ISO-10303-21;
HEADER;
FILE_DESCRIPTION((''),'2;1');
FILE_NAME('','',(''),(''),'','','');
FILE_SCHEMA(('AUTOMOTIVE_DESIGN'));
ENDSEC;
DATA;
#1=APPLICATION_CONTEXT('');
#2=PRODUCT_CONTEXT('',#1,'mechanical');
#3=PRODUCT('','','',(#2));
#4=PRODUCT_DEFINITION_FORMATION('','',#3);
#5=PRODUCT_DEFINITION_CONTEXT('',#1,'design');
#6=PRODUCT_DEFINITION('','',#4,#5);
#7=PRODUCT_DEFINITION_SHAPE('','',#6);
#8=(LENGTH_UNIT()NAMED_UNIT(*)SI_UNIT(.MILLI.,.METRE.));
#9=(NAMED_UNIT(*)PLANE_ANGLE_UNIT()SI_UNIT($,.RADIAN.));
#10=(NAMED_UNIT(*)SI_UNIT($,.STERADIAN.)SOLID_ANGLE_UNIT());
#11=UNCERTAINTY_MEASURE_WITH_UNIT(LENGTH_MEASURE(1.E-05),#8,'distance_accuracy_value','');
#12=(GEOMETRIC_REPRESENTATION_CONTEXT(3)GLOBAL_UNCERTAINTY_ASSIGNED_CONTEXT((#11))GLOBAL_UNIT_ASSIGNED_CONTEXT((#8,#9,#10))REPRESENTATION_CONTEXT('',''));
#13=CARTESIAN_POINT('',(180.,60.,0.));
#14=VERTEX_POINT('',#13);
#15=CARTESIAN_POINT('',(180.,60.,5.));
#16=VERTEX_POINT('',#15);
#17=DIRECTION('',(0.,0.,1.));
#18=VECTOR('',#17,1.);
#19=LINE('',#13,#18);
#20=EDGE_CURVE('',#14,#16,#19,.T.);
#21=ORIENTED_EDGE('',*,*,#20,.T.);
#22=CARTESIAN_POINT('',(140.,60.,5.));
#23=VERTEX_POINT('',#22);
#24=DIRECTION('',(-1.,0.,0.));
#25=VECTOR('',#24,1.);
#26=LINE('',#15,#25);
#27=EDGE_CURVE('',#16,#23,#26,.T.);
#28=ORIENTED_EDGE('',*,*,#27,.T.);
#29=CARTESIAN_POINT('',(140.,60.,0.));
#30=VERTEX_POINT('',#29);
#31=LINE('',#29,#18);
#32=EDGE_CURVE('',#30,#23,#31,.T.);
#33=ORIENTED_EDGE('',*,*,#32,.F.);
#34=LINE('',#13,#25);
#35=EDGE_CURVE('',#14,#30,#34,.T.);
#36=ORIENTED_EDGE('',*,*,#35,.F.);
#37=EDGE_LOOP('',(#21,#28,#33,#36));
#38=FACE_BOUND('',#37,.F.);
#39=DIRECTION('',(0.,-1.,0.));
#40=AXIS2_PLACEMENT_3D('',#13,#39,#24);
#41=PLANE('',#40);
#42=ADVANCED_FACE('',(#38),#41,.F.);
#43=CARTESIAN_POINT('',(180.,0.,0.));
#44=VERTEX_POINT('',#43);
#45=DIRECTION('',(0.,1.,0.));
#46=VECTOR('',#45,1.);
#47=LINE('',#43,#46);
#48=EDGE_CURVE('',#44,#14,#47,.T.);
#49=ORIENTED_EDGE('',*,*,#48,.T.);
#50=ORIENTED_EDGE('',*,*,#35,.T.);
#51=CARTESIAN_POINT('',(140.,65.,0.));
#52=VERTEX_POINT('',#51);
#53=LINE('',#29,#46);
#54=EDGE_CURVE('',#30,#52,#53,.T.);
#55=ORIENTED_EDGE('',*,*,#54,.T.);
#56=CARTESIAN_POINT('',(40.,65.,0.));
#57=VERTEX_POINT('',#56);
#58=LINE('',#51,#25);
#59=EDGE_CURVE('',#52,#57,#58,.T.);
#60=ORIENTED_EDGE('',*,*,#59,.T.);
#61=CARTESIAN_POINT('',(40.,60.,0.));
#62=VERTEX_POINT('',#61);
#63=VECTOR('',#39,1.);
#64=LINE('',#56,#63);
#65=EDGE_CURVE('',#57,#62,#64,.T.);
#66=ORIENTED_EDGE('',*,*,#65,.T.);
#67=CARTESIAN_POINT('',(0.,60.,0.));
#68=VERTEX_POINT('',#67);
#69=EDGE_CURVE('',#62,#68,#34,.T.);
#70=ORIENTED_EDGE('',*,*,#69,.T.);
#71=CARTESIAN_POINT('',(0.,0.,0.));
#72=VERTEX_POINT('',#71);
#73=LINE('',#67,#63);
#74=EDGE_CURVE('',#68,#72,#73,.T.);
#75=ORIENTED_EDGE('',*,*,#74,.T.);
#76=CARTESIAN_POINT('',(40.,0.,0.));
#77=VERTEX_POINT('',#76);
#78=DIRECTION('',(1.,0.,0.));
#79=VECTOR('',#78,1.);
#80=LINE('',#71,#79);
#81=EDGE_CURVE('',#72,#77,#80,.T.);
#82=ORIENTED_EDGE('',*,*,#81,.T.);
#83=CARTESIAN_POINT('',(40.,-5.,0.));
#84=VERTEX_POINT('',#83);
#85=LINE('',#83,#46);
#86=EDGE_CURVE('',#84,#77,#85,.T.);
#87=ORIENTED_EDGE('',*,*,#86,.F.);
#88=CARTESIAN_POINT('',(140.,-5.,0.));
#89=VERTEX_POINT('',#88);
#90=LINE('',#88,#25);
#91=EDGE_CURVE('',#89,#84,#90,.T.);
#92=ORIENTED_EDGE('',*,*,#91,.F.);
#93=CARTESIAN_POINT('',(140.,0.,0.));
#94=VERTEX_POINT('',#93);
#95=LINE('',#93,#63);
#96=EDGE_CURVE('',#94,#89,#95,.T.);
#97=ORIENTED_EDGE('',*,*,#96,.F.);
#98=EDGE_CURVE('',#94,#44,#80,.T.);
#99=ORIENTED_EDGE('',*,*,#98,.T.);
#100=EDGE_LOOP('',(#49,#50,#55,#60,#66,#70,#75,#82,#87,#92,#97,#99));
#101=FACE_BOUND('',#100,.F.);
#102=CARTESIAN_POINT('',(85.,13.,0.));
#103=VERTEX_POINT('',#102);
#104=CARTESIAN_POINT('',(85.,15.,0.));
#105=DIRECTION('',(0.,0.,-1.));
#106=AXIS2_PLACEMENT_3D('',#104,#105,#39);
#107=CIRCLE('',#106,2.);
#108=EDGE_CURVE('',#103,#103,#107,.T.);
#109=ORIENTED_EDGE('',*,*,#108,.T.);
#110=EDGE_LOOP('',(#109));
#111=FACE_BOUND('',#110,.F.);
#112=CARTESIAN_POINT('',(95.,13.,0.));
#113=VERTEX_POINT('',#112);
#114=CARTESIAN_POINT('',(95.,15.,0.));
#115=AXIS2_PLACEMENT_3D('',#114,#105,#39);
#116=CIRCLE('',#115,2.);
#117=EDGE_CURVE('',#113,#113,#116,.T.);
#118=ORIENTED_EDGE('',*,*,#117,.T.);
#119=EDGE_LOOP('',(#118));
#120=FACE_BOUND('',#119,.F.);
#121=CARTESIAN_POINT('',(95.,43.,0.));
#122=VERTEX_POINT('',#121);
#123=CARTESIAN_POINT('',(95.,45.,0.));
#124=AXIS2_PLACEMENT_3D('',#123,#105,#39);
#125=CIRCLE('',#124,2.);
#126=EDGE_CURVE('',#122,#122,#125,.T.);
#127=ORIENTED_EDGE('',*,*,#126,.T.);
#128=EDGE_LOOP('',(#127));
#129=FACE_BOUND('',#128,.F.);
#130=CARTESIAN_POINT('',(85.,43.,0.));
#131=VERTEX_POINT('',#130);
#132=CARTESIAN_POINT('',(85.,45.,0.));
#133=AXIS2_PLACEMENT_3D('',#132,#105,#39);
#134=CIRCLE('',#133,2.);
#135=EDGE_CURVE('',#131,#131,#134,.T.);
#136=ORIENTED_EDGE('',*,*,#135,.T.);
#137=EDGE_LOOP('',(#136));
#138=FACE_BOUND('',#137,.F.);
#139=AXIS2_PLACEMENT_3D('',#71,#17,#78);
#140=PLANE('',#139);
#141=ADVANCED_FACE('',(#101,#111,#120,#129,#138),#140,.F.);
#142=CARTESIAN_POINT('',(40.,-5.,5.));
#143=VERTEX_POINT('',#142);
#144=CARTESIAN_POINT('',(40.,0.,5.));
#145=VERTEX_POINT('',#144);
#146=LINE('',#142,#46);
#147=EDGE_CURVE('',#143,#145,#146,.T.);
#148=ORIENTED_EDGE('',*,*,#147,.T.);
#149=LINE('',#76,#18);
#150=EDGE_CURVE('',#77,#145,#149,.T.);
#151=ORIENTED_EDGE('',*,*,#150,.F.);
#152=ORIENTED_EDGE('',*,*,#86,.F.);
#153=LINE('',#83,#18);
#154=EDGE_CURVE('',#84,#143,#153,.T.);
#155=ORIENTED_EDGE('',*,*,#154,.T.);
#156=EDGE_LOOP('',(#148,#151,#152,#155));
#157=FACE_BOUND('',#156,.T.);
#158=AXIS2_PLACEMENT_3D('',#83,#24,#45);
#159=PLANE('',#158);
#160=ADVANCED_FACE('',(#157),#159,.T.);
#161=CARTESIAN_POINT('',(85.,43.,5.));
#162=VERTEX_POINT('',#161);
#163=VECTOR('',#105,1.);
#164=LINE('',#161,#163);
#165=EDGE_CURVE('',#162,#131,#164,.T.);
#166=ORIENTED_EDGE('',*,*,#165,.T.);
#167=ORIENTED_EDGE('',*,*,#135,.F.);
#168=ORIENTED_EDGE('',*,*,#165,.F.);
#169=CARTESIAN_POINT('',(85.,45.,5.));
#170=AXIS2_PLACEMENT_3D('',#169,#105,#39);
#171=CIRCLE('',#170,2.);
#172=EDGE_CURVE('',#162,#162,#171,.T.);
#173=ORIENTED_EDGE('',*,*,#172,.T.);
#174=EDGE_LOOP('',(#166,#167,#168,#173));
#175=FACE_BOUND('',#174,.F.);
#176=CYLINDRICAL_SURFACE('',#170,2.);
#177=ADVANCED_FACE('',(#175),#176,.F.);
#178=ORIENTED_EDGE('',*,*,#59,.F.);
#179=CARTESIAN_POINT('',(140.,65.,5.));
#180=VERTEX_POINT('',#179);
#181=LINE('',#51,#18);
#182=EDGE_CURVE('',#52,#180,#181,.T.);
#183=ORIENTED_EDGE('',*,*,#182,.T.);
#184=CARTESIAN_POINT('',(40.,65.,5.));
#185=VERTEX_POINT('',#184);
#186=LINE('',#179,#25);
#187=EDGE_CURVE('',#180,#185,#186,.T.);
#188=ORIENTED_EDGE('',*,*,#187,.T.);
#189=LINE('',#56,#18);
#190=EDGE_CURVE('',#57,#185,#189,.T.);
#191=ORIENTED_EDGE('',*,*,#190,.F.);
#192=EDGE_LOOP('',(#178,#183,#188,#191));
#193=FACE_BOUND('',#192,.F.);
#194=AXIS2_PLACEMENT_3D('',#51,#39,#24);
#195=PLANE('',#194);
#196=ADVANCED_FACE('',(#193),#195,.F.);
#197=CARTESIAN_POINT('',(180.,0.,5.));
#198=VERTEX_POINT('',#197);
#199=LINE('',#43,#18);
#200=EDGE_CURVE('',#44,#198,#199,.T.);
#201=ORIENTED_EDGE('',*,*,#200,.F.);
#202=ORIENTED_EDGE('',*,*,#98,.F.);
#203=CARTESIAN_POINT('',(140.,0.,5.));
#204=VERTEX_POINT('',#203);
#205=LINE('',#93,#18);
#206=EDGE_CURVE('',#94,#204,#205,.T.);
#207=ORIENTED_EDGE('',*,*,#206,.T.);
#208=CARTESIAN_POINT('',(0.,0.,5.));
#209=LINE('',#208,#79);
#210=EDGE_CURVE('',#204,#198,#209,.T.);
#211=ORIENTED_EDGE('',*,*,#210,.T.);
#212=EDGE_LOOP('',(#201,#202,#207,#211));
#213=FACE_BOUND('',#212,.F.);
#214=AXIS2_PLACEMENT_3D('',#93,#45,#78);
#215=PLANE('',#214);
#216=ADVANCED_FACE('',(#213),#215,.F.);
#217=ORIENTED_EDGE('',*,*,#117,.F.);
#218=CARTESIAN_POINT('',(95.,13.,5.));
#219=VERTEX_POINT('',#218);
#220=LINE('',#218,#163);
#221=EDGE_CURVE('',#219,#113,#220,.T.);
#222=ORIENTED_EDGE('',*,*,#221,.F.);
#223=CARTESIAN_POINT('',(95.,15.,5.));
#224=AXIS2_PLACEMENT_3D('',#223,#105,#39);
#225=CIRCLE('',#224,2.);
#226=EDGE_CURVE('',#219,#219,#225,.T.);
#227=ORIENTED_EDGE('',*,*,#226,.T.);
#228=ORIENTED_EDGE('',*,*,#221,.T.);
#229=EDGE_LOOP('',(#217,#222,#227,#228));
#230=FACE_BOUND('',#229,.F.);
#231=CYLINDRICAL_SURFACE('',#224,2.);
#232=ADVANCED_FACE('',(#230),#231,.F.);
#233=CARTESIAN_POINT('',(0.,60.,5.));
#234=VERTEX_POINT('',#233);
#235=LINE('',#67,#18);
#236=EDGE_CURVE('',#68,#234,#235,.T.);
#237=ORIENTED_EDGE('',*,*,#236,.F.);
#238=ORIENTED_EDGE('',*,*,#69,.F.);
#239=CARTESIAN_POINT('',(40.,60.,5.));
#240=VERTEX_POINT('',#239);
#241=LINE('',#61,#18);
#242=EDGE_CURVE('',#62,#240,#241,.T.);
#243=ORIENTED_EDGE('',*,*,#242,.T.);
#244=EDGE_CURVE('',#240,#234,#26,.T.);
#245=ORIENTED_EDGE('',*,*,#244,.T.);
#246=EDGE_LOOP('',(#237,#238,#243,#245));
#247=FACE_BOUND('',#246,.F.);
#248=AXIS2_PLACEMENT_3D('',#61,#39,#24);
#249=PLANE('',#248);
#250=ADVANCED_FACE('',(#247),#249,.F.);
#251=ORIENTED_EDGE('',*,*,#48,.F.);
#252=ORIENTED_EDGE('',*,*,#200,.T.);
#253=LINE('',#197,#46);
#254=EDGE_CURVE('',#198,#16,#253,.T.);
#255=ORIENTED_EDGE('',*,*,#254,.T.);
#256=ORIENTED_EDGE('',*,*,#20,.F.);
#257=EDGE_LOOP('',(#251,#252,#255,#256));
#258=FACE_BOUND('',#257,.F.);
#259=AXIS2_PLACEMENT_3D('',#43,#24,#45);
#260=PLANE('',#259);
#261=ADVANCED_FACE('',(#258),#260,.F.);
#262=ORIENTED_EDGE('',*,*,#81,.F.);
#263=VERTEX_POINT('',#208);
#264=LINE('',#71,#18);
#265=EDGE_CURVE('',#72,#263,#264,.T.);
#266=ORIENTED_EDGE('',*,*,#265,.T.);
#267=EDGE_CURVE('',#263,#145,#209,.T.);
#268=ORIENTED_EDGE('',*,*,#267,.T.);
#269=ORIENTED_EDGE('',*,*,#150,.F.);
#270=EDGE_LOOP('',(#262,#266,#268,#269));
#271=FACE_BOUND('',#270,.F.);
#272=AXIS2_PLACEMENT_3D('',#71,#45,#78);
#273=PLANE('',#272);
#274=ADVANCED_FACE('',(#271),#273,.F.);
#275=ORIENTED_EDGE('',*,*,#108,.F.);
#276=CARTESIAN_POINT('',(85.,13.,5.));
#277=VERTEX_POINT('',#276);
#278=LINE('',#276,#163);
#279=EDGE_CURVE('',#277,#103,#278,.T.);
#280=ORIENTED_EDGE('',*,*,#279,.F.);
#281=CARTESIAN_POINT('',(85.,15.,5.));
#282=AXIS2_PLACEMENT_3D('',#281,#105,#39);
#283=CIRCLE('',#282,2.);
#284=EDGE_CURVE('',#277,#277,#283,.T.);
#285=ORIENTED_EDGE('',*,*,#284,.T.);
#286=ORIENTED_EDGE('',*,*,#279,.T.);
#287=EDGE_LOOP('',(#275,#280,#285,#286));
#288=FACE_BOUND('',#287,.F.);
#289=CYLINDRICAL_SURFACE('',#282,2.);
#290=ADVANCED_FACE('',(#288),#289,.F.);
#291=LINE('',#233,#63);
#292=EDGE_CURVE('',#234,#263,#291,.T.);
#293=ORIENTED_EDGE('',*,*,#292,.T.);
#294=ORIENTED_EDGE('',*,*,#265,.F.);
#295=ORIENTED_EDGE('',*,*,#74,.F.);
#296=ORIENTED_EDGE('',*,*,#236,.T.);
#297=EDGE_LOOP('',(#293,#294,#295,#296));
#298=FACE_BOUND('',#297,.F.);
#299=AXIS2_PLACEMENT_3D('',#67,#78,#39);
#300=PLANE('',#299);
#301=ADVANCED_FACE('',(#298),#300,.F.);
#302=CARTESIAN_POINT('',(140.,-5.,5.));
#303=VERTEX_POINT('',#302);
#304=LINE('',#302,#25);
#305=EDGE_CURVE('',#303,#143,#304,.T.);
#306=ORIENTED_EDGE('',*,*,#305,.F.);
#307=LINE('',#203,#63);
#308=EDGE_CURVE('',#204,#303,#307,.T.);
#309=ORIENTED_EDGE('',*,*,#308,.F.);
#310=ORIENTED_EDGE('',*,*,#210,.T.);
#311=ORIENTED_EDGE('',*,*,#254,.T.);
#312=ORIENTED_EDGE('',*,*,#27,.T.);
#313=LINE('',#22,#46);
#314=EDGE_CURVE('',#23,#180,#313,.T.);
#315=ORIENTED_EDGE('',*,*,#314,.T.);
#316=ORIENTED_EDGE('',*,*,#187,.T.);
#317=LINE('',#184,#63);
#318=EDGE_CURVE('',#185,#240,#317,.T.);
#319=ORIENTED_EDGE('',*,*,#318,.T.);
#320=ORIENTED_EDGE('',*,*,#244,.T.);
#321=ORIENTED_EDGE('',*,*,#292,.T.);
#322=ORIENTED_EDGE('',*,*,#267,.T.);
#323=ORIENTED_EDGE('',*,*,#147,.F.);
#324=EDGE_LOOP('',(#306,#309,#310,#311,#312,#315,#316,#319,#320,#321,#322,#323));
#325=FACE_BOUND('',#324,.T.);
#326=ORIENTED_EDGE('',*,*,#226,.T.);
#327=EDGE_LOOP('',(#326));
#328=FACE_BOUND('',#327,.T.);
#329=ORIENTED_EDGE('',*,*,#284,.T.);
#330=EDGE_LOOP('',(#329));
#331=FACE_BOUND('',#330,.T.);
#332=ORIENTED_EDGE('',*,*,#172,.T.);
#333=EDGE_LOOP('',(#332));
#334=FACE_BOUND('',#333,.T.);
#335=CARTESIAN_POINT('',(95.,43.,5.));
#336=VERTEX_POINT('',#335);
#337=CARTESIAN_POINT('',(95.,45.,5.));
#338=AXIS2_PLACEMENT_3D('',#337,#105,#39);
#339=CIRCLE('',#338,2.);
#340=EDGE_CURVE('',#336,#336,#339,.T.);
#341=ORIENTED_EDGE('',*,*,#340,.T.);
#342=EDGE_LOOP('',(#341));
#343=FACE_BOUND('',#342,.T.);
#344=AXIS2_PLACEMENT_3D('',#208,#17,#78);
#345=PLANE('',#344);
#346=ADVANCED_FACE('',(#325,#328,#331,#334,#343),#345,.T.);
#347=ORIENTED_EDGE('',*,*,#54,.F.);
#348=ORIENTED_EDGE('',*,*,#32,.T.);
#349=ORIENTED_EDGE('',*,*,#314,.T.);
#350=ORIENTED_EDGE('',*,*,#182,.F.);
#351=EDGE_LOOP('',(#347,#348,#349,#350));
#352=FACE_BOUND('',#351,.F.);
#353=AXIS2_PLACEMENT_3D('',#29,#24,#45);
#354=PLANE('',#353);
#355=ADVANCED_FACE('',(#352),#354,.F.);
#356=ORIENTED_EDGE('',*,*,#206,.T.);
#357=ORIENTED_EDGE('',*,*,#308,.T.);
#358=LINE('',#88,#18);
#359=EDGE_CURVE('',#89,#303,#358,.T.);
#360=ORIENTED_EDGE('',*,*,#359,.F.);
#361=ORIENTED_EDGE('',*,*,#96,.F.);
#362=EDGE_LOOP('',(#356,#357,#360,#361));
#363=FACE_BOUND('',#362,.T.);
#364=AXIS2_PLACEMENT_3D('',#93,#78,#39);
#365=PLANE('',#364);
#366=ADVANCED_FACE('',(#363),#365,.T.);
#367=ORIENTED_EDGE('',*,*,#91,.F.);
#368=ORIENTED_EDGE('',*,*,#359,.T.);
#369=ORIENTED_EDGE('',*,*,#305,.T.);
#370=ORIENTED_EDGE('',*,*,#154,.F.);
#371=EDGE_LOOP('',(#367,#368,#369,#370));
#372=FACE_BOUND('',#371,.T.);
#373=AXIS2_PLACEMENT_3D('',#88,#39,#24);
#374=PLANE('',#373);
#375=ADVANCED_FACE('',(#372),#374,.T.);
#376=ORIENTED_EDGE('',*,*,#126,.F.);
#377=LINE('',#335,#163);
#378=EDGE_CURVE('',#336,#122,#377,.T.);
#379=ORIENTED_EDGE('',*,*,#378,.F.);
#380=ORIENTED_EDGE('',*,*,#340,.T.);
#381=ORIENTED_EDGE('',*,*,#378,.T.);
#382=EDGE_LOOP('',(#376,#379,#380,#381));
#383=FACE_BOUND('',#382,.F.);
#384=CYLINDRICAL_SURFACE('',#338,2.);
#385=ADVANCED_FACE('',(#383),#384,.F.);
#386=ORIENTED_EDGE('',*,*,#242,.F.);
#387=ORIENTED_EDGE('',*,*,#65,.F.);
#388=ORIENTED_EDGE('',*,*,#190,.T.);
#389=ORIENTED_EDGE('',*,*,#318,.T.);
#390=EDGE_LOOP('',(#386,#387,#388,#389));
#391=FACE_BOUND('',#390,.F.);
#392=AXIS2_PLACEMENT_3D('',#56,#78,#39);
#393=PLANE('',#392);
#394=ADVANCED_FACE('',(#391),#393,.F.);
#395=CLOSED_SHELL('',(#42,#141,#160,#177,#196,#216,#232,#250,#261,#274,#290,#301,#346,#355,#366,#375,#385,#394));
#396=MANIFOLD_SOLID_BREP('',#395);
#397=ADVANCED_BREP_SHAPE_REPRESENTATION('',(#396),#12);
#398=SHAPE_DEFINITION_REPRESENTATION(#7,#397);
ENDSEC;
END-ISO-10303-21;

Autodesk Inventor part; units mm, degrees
ref_plane "YZ Plane" through (0, 0, 0) normal (1, 0, 0) x (0, 1, 0)
ref_plane "XZ Plane" through (0, 0, 0) normal (0, 1, 0) x (-1, 0, 0)
ref_plane "XY Plane" through (0, 0, 0) normal (0, 0, 1) x (1, 0, 0)
sketch "Sketch1" plane through (0, 0, 0) normal (0, 0, 1) x (1, 0, 0)
  line L0 (0, 0) -> (180, 0)
  line L1 (180, 0) -> (180, 60)
  line L2 (180, 60) -> (0, 60)
  line L3 (0, 60) -> (0, 0)
  line L4 (40, 0) -> (140, 0)
  line L5 (140, 0) -> (140, -5)
  line L6 (140, -5) -> (40, -5)
  line L7 (40, -5) -> (40, 0)
  line L8 (40, 60) -> (140, 60)
  line L9 (140, 60) -> (140, 65)
  line L10 (140, 65) -> (40, 65)
  line L11 (40, 65) -> (40, 60)
  point P0 (0, 20)
  point P1 (140, 0)
  point P2 (140, 60)
  point P3 (40, 62.5)
  dimension "d0" = 180
  dimension "d1" = 60
  dimension "d2" = 100
  dimension "d3" = 5
  dimension "d8" = 40
  dimension "d9" = 5
  dimension "d10" = 100
  dimension "d11" = 40
extrude "Extrusion1" add sketch "Sketch1" along normal blind 5
sketch "Sketch3" plane through (0, 0, 5) normal (0, 0, 1) x (1, 0, 0)
  line L0 (140, 65) -> (40, 65) projected
  line L1 (40, -5) -> (140, -5) projected
  line L2 (40, 65) -> (40, 60) projected
  line L3 (40, 0) -> (40, -5) projected
  point P0 (0, 0)
  point P1 (85, 45)
  point P2 (95, 45)
  point P3 (85, 15)
  point P4 (95, 15)
  dimension "d19" = 20
  dimension "d20" = 20
  dimension "d21" = 20
  dimension "d22" = 20
  dimension "d23" = 10
  dimension "d24" = 10
  dimension "d25" = 45
  dimension "d26" = 45
hole "Hole1" at (85, 45, 5) at (95, 45, 5) at (85, 15, 5) at (95, 15, 5) direction (0, 0, -1) diameter 4 end through all
properties part number "front"
